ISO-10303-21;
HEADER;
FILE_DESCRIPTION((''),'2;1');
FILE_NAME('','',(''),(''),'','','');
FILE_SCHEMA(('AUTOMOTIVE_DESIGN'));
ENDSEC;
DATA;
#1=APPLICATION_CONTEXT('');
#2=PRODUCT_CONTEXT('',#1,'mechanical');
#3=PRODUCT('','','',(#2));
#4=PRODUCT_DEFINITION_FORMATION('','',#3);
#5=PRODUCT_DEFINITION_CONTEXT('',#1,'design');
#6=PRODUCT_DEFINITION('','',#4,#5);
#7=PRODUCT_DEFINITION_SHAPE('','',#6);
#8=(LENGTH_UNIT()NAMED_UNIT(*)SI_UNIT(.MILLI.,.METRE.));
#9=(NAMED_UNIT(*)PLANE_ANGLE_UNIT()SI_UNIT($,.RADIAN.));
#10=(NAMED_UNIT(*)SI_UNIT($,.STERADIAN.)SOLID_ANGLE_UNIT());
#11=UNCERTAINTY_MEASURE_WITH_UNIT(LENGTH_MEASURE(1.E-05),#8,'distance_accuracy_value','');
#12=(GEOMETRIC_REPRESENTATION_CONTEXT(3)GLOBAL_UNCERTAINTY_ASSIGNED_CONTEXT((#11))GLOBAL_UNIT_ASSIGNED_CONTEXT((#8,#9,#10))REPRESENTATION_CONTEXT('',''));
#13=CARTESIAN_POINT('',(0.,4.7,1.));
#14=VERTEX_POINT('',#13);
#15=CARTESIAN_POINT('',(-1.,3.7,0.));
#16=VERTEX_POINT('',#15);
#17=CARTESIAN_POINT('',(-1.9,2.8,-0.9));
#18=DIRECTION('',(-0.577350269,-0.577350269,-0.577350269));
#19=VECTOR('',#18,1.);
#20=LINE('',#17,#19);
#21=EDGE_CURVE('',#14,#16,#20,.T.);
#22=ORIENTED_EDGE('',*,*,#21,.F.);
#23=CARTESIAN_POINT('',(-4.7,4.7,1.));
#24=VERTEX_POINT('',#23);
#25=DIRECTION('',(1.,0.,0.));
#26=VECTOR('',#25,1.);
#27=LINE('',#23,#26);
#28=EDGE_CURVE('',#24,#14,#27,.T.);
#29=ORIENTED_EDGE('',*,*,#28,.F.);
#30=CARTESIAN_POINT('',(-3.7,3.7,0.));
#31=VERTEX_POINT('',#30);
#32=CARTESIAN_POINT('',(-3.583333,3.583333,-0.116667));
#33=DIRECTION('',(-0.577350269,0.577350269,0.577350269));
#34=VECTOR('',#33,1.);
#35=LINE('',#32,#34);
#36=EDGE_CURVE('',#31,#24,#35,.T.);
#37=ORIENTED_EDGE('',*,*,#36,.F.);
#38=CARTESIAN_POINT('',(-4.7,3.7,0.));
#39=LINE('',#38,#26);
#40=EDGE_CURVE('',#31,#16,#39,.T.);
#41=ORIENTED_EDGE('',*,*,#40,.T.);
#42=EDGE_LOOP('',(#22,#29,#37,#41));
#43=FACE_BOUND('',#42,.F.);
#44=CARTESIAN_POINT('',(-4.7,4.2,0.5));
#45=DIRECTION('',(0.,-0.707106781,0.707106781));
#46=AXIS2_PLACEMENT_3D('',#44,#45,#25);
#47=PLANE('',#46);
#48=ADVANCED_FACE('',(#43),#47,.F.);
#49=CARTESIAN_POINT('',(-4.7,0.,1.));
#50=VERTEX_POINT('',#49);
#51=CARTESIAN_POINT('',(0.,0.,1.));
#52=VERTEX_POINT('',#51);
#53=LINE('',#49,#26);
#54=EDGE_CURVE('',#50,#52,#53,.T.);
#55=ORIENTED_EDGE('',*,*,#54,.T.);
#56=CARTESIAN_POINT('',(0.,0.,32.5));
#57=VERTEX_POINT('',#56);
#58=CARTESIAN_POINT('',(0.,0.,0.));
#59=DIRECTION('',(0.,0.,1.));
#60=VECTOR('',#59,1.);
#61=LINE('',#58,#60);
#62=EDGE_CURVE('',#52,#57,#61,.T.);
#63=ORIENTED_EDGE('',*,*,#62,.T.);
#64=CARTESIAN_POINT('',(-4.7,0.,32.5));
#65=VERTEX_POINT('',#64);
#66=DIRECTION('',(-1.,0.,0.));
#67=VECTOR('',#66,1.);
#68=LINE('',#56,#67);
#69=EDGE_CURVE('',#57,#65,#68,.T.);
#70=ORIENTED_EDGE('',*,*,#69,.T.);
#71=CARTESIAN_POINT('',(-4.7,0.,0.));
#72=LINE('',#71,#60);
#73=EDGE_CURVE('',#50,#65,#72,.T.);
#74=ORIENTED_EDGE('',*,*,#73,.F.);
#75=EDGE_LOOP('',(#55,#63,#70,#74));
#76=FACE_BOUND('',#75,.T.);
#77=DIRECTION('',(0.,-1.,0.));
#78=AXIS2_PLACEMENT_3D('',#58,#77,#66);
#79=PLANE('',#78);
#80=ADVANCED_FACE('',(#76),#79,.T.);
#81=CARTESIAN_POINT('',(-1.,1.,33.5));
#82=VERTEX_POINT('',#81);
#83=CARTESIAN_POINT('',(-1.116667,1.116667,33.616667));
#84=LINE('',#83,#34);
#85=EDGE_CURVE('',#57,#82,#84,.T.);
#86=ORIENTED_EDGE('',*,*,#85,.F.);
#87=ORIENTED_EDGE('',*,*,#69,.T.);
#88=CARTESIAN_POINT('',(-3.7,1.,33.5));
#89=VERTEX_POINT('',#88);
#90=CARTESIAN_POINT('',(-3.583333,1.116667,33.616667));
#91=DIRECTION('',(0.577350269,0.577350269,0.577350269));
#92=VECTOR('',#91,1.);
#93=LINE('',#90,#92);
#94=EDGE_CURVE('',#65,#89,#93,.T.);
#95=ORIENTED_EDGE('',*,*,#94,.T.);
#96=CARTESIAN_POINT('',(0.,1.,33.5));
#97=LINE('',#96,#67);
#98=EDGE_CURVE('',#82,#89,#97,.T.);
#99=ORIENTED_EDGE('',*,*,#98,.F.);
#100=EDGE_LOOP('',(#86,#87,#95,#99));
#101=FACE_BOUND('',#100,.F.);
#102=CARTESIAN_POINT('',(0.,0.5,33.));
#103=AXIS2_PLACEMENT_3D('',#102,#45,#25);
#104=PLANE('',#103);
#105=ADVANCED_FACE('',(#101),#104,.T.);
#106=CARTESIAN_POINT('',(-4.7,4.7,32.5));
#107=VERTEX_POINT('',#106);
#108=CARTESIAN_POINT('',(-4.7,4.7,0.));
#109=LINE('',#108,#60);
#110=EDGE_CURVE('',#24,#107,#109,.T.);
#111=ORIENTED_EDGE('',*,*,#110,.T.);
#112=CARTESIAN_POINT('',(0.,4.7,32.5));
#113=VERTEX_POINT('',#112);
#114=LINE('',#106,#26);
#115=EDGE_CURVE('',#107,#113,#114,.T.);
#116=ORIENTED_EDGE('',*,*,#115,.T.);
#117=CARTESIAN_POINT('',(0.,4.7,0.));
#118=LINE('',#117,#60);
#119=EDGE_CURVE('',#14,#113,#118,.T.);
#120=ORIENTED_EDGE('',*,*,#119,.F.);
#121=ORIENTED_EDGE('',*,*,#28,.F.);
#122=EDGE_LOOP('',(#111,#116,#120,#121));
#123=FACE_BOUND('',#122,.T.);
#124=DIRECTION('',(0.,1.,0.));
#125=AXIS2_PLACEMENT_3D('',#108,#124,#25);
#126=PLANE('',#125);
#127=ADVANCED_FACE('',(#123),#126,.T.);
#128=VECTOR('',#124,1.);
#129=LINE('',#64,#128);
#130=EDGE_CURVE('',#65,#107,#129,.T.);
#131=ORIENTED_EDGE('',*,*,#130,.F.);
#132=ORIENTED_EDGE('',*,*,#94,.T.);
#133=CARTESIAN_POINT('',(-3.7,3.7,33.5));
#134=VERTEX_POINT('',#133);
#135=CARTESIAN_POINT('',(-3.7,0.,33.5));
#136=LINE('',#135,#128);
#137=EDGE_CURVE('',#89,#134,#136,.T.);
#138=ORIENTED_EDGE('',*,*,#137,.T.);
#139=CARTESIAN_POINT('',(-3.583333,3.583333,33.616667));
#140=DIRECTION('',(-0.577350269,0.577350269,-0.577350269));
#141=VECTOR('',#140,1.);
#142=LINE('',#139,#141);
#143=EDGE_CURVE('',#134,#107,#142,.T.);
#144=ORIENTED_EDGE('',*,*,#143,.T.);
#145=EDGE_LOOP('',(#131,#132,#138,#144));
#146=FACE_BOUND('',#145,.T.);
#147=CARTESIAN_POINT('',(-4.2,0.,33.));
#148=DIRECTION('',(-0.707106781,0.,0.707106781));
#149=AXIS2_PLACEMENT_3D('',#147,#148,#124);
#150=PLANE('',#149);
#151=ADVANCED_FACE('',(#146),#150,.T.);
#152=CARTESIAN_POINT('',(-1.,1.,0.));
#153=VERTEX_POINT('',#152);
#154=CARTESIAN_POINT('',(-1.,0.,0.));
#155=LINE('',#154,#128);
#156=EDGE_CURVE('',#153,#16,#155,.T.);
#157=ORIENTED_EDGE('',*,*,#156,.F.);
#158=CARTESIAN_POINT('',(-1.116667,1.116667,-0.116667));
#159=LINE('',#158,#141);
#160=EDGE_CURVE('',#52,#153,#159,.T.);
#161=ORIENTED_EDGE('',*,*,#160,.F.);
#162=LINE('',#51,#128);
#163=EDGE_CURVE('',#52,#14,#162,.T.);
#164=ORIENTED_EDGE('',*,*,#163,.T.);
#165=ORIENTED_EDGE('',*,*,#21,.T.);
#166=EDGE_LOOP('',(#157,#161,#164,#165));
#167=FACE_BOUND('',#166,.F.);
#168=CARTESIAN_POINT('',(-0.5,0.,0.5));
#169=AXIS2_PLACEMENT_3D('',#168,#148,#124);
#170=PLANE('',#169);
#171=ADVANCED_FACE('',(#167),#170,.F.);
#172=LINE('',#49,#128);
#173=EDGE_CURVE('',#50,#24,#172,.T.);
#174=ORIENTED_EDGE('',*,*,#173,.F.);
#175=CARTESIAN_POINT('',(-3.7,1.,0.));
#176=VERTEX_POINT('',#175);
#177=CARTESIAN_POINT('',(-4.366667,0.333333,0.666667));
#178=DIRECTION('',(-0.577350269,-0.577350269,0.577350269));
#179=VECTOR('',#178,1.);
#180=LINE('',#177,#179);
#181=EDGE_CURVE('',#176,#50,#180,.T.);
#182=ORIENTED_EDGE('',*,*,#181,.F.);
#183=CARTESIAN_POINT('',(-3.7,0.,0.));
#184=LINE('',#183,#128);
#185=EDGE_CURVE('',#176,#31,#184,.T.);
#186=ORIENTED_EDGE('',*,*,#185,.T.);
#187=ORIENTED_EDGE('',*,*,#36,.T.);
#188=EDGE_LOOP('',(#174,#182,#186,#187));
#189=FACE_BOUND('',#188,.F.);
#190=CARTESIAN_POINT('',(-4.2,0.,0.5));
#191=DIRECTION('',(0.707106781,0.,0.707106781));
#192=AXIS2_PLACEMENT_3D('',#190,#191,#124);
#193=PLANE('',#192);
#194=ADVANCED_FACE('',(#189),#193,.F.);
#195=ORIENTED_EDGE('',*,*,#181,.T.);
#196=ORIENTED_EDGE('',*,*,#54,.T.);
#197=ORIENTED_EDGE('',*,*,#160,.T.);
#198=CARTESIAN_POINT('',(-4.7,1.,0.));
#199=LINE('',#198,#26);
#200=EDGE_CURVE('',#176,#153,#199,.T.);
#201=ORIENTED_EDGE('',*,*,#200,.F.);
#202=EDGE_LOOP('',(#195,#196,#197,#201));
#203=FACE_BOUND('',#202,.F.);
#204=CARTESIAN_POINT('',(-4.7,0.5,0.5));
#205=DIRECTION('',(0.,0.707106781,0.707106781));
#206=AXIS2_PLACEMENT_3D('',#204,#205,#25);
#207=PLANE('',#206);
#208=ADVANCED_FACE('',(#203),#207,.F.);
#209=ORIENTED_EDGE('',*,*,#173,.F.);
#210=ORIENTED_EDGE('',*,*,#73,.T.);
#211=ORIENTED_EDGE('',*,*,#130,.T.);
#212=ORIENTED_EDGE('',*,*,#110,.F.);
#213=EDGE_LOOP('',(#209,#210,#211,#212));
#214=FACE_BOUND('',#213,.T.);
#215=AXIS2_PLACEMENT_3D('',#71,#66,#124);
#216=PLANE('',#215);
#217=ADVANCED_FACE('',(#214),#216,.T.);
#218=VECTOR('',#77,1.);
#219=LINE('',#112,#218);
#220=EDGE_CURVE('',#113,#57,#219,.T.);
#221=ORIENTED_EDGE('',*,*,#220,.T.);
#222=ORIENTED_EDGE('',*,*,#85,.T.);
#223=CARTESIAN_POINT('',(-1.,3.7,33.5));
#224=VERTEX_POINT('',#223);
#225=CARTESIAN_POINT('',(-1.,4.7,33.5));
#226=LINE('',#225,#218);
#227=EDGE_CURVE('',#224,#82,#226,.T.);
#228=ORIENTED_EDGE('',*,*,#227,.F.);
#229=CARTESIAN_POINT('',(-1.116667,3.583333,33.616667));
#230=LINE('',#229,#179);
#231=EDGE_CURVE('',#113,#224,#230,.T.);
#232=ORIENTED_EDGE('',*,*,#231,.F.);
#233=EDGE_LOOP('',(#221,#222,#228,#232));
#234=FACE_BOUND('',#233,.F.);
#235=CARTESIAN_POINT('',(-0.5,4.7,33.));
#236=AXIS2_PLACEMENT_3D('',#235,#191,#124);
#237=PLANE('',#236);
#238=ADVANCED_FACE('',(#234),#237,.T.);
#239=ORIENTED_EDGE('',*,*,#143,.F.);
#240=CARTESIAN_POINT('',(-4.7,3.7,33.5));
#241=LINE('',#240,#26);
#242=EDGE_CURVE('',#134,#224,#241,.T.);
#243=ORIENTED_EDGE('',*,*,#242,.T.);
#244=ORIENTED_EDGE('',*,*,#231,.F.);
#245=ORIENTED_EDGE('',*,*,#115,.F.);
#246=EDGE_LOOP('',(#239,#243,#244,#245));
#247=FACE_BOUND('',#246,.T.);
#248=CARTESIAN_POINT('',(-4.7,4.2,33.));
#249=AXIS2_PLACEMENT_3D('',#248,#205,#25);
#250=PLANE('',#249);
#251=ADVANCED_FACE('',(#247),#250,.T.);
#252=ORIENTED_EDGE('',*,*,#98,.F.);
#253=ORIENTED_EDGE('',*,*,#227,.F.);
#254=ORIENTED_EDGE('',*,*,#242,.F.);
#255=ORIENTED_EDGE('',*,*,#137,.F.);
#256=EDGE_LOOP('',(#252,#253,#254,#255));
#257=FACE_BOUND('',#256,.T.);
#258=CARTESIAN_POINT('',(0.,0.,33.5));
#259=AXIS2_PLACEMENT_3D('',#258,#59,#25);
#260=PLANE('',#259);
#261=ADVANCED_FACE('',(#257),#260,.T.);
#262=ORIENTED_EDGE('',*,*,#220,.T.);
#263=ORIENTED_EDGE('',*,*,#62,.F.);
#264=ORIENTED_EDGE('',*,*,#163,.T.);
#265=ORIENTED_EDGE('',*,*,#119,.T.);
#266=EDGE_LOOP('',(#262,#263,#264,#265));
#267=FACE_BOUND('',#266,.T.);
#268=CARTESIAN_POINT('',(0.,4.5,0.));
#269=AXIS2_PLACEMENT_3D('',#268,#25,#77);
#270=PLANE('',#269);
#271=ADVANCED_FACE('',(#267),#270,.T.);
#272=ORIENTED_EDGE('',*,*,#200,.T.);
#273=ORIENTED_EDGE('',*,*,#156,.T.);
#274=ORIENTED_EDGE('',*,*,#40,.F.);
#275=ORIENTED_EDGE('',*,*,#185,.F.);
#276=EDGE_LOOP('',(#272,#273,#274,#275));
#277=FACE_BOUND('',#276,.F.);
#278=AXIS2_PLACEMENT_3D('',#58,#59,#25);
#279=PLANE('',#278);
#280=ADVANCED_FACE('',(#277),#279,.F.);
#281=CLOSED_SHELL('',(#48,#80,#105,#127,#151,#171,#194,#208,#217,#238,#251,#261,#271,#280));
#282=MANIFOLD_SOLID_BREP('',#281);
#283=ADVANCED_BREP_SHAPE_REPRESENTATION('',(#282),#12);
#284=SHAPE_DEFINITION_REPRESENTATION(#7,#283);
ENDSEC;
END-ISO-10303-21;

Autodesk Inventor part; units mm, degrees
ref_plane "YZ Plane" through (0, 0, 0) normal (1, 0, 0) x (0, 1, 0)
ref_plane "XZ Plane" through (0, 0, 0) normal (0, 1, 0) x (-1, 0, 0)
ref_plane "XY Plane" through (0, 0, 0) normal (0, 0, 1) x (1, 0, 0)
sketch "Szkic1" plane through (0, 0, 0) normal (0, 0, 1) x (1, 0, 0)
  line L0 (0, 0) -> (-4.5, 0)
  line L1 (-4.5, 0) -> (-4.5, 4.5)
  line L2 (-4.5, 4.5) -> (0, 4.5)
  line L3 (0, 4.5) -> (0, 0)
  line L4 (0, 0) -> (-4.7, 0)
  line L5 (-4.7, 0) -> (-4.7, 4.7)
  line L6 (-4.7, 4.7) -> (0, 4.7)
  line L7 (0, 4.7) -> (0, 0)
  dimension "d0" = 4.5
  dimension "d1" = 4.5
  dimension "d7" = 4.7
  dimension "d8" = 4.7
extrude "Wyciągnięcie proste2" add sketch "Szkic1" along normal blind 33.5
chamfer "Faza2" distance 1 angle 45 8 edges at (-4.7, 2.35, 0) (-2.25, 0, 0) (0, 2.25, 0) (-2.35, 4.7, 0) (0, 2.25, 33.5) (-2.25, 0, 33.5) (-4.7, 2.35, 33.5) (-2.35, 4.7, 33.5)
properties part number "Klin_do_łączenia_34mm"
